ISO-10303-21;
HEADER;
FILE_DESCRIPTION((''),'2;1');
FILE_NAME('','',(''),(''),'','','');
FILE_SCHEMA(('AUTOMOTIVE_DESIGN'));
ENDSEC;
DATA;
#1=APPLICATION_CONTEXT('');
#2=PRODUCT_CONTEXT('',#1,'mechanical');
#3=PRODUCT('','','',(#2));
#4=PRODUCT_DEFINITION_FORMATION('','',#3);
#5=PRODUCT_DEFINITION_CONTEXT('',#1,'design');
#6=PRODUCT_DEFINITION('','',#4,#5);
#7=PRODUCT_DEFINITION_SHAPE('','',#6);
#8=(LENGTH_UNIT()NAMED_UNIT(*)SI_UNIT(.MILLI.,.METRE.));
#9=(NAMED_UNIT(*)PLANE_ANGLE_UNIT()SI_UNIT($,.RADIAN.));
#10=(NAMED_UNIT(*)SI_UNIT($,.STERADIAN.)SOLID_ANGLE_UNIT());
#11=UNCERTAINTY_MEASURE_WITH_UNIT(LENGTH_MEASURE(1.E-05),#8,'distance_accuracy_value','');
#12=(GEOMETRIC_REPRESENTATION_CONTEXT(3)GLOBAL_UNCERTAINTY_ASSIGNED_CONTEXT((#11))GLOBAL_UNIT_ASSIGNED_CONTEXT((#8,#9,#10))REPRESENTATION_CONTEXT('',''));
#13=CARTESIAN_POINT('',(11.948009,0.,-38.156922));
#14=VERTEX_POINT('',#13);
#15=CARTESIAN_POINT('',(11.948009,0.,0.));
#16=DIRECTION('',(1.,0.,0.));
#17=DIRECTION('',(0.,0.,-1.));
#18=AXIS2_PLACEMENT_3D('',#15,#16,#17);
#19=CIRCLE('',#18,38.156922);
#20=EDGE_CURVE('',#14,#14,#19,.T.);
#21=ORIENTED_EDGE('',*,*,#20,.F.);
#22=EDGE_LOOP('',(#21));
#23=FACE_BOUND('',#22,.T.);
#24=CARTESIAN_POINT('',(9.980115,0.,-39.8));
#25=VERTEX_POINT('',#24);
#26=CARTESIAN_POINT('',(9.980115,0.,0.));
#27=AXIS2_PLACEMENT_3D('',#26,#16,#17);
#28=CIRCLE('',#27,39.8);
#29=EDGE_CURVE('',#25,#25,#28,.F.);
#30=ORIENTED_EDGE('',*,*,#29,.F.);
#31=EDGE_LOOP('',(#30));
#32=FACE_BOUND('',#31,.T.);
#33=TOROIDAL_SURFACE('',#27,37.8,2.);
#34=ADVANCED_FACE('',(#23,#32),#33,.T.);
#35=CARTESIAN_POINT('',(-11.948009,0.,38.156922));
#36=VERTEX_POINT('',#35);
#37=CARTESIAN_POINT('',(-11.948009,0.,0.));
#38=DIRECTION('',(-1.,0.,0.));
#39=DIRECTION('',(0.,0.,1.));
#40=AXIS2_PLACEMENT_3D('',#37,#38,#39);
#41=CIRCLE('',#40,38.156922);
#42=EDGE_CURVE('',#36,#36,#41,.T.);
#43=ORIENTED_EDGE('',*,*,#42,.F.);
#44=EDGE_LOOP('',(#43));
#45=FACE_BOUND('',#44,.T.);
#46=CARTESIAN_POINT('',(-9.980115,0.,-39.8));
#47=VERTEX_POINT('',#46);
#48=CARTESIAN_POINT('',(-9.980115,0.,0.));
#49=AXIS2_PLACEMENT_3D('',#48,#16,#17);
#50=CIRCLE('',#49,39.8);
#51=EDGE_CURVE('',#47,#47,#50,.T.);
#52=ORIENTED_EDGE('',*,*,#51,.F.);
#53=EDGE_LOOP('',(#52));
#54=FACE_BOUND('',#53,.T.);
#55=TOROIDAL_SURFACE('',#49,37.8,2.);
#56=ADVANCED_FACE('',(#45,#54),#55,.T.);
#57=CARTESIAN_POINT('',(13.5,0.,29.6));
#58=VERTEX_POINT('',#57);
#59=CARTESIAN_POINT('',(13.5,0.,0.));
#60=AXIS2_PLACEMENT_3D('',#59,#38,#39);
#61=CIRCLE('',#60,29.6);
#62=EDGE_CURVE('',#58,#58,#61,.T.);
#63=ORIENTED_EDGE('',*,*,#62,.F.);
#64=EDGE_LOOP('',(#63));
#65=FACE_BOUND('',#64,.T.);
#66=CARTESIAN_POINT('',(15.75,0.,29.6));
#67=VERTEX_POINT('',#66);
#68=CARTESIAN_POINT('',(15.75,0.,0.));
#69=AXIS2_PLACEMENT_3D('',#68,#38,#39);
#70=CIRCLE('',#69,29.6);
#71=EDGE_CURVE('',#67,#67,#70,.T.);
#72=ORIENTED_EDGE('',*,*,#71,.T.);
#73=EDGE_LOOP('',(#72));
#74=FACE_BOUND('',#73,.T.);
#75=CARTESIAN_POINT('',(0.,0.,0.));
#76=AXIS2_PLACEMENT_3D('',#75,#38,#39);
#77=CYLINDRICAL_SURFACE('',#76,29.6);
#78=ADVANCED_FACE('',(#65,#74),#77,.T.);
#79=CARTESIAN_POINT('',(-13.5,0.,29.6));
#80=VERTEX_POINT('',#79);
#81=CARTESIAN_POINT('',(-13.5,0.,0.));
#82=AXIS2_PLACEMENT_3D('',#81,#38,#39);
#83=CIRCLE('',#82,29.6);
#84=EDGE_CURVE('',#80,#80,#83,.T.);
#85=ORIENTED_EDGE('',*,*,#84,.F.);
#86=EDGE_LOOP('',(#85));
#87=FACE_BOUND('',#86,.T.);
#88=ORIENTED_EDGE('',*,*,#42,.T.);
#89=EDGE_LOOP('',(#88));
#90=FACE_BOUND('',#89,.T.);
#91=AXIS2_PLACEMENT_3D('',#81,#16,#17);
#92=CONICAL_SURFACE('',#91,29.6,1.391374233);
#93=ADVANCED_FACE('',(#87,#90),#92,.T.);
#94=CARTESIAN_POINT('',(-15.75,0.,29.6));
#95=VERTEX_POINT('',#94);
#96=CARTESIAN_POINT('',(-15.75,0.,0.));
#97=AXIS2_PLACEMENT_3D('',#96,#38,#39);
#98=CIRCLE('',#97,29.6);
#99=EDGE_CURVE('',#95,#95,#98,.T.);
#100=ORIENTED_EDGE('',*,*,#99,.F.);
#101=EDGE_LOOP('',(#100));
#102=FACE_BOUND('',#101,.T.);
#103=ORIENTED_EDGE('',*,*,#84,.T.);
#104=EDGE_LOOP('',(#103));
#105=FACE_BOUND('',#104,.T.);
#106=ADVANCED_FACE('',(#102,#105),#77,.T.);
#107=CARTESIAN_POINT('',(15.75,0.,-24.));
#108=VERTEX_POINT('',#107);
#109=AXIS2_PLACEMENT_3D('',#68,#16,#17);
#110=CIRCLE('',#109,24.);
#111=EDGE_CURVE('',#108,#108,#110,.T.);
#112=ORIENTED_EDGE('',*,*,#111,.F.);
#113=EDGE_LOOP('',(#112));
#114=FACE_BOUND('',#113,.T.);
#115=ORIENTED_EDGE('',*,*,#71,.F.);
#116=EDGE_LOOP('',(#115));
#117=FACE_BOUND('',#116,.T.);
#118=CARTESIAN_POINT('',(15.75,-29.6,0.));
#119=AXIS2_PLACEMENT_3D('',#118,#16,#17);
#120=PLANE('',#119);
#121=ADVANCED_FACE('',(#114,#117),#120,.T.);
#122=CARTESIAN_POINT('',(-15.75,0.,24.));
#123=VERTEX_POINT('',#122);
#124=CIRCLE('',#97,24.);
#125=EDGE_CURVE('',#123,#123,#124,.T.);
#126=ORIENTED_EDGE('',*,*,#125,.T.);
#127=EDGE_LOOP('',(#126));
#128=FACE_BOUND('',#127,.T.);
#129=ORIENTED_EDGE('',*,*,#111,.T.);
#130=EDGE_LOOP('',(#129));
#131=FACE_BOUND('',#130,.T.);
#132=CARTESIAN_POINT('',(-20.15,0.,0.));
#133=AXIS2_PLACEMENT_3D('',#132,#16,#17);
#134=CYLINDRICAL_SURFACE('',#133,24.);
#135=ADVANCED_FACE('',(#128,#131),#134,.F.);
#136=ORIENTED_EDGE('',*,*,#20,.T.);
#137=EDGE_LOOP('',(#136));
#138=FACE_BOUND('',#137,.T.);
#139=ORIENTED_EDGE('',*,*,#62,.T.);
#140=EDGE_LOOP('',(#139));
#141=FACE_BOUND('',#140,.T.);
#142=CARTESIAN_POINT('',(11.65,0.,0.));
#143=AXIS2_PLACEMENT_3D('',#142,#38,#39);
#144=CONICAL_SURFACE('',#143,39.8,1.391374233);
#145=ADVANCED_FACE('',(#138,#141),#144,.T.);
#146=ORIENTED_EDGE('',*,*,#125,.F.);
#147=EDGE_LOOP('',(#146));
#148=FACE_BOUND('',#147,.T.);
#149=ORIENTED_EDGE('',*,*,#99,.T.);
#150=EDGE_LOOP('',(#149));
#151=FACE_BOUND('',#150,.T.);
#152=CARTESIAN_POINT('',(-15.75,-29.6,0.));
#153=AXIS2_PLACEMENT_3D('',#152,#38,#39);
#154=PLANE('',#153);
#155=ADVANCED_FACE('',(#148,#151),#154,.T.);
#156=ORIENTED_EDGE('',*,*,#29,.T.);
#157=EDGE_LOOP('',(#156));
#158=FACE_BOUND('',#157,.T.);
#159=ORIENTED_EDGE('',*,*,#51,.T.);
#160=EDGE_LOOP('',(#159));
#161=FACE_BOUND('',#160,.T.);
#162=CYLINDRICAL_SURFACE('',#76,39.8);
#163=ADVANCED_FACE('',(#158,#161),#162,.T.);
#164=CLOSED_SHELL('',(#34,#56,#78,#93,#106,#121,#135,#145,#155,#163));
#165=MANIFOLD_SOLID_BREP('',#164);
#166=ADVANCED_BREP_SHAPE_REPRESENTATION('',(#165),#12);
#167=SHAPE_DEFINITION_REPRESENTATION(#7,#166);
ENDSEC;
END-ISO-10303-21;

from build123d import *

# Parameters (mm, degrees)
FILLET1_R          = 2
SKETCH2_R          = 24
CUT_EXTRUDE1_DEPTH = 70.225501822


with BuildPart() as part:
    # Sketch1 → Revolve1 (revolve)
    with BuildSketch(Plane.XY, mode=Mode.PRIVATE) as revolve1_sk:
        Polygon((-11.65, -39.8), (11.65, -39.8), (13.5, -29.6), (15.75, -29.6), (15.75, -23.6), (4.25, -20.75), (4.25, -17), (20.15, -15.75), (20.15, -10.05), (-20.15, -10.05), (-20.15, -15.75), (-4.25, -17), (-4.25, -20.75), (-15.75, -23.6), (-15.75, -29.6), (-13.5, -29.6), align=None)
    revolve(revolve1_sk.sketch.rotate(Axis((0, 0, 0), (1, 0, 0)), 270), axis=Axis((0, 0, 0), (1, 0, 0)))

    # Fillet1
    fillet1_edges = [part.edges().sort_by_distance(p)[0] for p in [
        (11.65, 0, -39.8),
        (-11.65, 0, -39.8),
        (-4.25, 0, -20.75),
        (-4.25, 0, -17),
        (-20.15, 0, -15.75),
        (20.15, 0, -15.75),
        (4.25, 0, -17),
        (4.25, 0, -20.75),
    ]]
    fillet(fillet1_edges, radius=FILLET1_R)

    # Sketch2 → Cut-Extrude1 (cut, through all)
    with BuildSketch(Plane(origin=(20.15, 0, 0), x_dir=(0, 0, -1), z_dir=(1, 0, 0))):
        Circle(SKETCH2_R)
    extrude(amount=-CUT_EXTRUDE1_DEPTH, mode=Mode.SUBTRACT)


solid = part.part
